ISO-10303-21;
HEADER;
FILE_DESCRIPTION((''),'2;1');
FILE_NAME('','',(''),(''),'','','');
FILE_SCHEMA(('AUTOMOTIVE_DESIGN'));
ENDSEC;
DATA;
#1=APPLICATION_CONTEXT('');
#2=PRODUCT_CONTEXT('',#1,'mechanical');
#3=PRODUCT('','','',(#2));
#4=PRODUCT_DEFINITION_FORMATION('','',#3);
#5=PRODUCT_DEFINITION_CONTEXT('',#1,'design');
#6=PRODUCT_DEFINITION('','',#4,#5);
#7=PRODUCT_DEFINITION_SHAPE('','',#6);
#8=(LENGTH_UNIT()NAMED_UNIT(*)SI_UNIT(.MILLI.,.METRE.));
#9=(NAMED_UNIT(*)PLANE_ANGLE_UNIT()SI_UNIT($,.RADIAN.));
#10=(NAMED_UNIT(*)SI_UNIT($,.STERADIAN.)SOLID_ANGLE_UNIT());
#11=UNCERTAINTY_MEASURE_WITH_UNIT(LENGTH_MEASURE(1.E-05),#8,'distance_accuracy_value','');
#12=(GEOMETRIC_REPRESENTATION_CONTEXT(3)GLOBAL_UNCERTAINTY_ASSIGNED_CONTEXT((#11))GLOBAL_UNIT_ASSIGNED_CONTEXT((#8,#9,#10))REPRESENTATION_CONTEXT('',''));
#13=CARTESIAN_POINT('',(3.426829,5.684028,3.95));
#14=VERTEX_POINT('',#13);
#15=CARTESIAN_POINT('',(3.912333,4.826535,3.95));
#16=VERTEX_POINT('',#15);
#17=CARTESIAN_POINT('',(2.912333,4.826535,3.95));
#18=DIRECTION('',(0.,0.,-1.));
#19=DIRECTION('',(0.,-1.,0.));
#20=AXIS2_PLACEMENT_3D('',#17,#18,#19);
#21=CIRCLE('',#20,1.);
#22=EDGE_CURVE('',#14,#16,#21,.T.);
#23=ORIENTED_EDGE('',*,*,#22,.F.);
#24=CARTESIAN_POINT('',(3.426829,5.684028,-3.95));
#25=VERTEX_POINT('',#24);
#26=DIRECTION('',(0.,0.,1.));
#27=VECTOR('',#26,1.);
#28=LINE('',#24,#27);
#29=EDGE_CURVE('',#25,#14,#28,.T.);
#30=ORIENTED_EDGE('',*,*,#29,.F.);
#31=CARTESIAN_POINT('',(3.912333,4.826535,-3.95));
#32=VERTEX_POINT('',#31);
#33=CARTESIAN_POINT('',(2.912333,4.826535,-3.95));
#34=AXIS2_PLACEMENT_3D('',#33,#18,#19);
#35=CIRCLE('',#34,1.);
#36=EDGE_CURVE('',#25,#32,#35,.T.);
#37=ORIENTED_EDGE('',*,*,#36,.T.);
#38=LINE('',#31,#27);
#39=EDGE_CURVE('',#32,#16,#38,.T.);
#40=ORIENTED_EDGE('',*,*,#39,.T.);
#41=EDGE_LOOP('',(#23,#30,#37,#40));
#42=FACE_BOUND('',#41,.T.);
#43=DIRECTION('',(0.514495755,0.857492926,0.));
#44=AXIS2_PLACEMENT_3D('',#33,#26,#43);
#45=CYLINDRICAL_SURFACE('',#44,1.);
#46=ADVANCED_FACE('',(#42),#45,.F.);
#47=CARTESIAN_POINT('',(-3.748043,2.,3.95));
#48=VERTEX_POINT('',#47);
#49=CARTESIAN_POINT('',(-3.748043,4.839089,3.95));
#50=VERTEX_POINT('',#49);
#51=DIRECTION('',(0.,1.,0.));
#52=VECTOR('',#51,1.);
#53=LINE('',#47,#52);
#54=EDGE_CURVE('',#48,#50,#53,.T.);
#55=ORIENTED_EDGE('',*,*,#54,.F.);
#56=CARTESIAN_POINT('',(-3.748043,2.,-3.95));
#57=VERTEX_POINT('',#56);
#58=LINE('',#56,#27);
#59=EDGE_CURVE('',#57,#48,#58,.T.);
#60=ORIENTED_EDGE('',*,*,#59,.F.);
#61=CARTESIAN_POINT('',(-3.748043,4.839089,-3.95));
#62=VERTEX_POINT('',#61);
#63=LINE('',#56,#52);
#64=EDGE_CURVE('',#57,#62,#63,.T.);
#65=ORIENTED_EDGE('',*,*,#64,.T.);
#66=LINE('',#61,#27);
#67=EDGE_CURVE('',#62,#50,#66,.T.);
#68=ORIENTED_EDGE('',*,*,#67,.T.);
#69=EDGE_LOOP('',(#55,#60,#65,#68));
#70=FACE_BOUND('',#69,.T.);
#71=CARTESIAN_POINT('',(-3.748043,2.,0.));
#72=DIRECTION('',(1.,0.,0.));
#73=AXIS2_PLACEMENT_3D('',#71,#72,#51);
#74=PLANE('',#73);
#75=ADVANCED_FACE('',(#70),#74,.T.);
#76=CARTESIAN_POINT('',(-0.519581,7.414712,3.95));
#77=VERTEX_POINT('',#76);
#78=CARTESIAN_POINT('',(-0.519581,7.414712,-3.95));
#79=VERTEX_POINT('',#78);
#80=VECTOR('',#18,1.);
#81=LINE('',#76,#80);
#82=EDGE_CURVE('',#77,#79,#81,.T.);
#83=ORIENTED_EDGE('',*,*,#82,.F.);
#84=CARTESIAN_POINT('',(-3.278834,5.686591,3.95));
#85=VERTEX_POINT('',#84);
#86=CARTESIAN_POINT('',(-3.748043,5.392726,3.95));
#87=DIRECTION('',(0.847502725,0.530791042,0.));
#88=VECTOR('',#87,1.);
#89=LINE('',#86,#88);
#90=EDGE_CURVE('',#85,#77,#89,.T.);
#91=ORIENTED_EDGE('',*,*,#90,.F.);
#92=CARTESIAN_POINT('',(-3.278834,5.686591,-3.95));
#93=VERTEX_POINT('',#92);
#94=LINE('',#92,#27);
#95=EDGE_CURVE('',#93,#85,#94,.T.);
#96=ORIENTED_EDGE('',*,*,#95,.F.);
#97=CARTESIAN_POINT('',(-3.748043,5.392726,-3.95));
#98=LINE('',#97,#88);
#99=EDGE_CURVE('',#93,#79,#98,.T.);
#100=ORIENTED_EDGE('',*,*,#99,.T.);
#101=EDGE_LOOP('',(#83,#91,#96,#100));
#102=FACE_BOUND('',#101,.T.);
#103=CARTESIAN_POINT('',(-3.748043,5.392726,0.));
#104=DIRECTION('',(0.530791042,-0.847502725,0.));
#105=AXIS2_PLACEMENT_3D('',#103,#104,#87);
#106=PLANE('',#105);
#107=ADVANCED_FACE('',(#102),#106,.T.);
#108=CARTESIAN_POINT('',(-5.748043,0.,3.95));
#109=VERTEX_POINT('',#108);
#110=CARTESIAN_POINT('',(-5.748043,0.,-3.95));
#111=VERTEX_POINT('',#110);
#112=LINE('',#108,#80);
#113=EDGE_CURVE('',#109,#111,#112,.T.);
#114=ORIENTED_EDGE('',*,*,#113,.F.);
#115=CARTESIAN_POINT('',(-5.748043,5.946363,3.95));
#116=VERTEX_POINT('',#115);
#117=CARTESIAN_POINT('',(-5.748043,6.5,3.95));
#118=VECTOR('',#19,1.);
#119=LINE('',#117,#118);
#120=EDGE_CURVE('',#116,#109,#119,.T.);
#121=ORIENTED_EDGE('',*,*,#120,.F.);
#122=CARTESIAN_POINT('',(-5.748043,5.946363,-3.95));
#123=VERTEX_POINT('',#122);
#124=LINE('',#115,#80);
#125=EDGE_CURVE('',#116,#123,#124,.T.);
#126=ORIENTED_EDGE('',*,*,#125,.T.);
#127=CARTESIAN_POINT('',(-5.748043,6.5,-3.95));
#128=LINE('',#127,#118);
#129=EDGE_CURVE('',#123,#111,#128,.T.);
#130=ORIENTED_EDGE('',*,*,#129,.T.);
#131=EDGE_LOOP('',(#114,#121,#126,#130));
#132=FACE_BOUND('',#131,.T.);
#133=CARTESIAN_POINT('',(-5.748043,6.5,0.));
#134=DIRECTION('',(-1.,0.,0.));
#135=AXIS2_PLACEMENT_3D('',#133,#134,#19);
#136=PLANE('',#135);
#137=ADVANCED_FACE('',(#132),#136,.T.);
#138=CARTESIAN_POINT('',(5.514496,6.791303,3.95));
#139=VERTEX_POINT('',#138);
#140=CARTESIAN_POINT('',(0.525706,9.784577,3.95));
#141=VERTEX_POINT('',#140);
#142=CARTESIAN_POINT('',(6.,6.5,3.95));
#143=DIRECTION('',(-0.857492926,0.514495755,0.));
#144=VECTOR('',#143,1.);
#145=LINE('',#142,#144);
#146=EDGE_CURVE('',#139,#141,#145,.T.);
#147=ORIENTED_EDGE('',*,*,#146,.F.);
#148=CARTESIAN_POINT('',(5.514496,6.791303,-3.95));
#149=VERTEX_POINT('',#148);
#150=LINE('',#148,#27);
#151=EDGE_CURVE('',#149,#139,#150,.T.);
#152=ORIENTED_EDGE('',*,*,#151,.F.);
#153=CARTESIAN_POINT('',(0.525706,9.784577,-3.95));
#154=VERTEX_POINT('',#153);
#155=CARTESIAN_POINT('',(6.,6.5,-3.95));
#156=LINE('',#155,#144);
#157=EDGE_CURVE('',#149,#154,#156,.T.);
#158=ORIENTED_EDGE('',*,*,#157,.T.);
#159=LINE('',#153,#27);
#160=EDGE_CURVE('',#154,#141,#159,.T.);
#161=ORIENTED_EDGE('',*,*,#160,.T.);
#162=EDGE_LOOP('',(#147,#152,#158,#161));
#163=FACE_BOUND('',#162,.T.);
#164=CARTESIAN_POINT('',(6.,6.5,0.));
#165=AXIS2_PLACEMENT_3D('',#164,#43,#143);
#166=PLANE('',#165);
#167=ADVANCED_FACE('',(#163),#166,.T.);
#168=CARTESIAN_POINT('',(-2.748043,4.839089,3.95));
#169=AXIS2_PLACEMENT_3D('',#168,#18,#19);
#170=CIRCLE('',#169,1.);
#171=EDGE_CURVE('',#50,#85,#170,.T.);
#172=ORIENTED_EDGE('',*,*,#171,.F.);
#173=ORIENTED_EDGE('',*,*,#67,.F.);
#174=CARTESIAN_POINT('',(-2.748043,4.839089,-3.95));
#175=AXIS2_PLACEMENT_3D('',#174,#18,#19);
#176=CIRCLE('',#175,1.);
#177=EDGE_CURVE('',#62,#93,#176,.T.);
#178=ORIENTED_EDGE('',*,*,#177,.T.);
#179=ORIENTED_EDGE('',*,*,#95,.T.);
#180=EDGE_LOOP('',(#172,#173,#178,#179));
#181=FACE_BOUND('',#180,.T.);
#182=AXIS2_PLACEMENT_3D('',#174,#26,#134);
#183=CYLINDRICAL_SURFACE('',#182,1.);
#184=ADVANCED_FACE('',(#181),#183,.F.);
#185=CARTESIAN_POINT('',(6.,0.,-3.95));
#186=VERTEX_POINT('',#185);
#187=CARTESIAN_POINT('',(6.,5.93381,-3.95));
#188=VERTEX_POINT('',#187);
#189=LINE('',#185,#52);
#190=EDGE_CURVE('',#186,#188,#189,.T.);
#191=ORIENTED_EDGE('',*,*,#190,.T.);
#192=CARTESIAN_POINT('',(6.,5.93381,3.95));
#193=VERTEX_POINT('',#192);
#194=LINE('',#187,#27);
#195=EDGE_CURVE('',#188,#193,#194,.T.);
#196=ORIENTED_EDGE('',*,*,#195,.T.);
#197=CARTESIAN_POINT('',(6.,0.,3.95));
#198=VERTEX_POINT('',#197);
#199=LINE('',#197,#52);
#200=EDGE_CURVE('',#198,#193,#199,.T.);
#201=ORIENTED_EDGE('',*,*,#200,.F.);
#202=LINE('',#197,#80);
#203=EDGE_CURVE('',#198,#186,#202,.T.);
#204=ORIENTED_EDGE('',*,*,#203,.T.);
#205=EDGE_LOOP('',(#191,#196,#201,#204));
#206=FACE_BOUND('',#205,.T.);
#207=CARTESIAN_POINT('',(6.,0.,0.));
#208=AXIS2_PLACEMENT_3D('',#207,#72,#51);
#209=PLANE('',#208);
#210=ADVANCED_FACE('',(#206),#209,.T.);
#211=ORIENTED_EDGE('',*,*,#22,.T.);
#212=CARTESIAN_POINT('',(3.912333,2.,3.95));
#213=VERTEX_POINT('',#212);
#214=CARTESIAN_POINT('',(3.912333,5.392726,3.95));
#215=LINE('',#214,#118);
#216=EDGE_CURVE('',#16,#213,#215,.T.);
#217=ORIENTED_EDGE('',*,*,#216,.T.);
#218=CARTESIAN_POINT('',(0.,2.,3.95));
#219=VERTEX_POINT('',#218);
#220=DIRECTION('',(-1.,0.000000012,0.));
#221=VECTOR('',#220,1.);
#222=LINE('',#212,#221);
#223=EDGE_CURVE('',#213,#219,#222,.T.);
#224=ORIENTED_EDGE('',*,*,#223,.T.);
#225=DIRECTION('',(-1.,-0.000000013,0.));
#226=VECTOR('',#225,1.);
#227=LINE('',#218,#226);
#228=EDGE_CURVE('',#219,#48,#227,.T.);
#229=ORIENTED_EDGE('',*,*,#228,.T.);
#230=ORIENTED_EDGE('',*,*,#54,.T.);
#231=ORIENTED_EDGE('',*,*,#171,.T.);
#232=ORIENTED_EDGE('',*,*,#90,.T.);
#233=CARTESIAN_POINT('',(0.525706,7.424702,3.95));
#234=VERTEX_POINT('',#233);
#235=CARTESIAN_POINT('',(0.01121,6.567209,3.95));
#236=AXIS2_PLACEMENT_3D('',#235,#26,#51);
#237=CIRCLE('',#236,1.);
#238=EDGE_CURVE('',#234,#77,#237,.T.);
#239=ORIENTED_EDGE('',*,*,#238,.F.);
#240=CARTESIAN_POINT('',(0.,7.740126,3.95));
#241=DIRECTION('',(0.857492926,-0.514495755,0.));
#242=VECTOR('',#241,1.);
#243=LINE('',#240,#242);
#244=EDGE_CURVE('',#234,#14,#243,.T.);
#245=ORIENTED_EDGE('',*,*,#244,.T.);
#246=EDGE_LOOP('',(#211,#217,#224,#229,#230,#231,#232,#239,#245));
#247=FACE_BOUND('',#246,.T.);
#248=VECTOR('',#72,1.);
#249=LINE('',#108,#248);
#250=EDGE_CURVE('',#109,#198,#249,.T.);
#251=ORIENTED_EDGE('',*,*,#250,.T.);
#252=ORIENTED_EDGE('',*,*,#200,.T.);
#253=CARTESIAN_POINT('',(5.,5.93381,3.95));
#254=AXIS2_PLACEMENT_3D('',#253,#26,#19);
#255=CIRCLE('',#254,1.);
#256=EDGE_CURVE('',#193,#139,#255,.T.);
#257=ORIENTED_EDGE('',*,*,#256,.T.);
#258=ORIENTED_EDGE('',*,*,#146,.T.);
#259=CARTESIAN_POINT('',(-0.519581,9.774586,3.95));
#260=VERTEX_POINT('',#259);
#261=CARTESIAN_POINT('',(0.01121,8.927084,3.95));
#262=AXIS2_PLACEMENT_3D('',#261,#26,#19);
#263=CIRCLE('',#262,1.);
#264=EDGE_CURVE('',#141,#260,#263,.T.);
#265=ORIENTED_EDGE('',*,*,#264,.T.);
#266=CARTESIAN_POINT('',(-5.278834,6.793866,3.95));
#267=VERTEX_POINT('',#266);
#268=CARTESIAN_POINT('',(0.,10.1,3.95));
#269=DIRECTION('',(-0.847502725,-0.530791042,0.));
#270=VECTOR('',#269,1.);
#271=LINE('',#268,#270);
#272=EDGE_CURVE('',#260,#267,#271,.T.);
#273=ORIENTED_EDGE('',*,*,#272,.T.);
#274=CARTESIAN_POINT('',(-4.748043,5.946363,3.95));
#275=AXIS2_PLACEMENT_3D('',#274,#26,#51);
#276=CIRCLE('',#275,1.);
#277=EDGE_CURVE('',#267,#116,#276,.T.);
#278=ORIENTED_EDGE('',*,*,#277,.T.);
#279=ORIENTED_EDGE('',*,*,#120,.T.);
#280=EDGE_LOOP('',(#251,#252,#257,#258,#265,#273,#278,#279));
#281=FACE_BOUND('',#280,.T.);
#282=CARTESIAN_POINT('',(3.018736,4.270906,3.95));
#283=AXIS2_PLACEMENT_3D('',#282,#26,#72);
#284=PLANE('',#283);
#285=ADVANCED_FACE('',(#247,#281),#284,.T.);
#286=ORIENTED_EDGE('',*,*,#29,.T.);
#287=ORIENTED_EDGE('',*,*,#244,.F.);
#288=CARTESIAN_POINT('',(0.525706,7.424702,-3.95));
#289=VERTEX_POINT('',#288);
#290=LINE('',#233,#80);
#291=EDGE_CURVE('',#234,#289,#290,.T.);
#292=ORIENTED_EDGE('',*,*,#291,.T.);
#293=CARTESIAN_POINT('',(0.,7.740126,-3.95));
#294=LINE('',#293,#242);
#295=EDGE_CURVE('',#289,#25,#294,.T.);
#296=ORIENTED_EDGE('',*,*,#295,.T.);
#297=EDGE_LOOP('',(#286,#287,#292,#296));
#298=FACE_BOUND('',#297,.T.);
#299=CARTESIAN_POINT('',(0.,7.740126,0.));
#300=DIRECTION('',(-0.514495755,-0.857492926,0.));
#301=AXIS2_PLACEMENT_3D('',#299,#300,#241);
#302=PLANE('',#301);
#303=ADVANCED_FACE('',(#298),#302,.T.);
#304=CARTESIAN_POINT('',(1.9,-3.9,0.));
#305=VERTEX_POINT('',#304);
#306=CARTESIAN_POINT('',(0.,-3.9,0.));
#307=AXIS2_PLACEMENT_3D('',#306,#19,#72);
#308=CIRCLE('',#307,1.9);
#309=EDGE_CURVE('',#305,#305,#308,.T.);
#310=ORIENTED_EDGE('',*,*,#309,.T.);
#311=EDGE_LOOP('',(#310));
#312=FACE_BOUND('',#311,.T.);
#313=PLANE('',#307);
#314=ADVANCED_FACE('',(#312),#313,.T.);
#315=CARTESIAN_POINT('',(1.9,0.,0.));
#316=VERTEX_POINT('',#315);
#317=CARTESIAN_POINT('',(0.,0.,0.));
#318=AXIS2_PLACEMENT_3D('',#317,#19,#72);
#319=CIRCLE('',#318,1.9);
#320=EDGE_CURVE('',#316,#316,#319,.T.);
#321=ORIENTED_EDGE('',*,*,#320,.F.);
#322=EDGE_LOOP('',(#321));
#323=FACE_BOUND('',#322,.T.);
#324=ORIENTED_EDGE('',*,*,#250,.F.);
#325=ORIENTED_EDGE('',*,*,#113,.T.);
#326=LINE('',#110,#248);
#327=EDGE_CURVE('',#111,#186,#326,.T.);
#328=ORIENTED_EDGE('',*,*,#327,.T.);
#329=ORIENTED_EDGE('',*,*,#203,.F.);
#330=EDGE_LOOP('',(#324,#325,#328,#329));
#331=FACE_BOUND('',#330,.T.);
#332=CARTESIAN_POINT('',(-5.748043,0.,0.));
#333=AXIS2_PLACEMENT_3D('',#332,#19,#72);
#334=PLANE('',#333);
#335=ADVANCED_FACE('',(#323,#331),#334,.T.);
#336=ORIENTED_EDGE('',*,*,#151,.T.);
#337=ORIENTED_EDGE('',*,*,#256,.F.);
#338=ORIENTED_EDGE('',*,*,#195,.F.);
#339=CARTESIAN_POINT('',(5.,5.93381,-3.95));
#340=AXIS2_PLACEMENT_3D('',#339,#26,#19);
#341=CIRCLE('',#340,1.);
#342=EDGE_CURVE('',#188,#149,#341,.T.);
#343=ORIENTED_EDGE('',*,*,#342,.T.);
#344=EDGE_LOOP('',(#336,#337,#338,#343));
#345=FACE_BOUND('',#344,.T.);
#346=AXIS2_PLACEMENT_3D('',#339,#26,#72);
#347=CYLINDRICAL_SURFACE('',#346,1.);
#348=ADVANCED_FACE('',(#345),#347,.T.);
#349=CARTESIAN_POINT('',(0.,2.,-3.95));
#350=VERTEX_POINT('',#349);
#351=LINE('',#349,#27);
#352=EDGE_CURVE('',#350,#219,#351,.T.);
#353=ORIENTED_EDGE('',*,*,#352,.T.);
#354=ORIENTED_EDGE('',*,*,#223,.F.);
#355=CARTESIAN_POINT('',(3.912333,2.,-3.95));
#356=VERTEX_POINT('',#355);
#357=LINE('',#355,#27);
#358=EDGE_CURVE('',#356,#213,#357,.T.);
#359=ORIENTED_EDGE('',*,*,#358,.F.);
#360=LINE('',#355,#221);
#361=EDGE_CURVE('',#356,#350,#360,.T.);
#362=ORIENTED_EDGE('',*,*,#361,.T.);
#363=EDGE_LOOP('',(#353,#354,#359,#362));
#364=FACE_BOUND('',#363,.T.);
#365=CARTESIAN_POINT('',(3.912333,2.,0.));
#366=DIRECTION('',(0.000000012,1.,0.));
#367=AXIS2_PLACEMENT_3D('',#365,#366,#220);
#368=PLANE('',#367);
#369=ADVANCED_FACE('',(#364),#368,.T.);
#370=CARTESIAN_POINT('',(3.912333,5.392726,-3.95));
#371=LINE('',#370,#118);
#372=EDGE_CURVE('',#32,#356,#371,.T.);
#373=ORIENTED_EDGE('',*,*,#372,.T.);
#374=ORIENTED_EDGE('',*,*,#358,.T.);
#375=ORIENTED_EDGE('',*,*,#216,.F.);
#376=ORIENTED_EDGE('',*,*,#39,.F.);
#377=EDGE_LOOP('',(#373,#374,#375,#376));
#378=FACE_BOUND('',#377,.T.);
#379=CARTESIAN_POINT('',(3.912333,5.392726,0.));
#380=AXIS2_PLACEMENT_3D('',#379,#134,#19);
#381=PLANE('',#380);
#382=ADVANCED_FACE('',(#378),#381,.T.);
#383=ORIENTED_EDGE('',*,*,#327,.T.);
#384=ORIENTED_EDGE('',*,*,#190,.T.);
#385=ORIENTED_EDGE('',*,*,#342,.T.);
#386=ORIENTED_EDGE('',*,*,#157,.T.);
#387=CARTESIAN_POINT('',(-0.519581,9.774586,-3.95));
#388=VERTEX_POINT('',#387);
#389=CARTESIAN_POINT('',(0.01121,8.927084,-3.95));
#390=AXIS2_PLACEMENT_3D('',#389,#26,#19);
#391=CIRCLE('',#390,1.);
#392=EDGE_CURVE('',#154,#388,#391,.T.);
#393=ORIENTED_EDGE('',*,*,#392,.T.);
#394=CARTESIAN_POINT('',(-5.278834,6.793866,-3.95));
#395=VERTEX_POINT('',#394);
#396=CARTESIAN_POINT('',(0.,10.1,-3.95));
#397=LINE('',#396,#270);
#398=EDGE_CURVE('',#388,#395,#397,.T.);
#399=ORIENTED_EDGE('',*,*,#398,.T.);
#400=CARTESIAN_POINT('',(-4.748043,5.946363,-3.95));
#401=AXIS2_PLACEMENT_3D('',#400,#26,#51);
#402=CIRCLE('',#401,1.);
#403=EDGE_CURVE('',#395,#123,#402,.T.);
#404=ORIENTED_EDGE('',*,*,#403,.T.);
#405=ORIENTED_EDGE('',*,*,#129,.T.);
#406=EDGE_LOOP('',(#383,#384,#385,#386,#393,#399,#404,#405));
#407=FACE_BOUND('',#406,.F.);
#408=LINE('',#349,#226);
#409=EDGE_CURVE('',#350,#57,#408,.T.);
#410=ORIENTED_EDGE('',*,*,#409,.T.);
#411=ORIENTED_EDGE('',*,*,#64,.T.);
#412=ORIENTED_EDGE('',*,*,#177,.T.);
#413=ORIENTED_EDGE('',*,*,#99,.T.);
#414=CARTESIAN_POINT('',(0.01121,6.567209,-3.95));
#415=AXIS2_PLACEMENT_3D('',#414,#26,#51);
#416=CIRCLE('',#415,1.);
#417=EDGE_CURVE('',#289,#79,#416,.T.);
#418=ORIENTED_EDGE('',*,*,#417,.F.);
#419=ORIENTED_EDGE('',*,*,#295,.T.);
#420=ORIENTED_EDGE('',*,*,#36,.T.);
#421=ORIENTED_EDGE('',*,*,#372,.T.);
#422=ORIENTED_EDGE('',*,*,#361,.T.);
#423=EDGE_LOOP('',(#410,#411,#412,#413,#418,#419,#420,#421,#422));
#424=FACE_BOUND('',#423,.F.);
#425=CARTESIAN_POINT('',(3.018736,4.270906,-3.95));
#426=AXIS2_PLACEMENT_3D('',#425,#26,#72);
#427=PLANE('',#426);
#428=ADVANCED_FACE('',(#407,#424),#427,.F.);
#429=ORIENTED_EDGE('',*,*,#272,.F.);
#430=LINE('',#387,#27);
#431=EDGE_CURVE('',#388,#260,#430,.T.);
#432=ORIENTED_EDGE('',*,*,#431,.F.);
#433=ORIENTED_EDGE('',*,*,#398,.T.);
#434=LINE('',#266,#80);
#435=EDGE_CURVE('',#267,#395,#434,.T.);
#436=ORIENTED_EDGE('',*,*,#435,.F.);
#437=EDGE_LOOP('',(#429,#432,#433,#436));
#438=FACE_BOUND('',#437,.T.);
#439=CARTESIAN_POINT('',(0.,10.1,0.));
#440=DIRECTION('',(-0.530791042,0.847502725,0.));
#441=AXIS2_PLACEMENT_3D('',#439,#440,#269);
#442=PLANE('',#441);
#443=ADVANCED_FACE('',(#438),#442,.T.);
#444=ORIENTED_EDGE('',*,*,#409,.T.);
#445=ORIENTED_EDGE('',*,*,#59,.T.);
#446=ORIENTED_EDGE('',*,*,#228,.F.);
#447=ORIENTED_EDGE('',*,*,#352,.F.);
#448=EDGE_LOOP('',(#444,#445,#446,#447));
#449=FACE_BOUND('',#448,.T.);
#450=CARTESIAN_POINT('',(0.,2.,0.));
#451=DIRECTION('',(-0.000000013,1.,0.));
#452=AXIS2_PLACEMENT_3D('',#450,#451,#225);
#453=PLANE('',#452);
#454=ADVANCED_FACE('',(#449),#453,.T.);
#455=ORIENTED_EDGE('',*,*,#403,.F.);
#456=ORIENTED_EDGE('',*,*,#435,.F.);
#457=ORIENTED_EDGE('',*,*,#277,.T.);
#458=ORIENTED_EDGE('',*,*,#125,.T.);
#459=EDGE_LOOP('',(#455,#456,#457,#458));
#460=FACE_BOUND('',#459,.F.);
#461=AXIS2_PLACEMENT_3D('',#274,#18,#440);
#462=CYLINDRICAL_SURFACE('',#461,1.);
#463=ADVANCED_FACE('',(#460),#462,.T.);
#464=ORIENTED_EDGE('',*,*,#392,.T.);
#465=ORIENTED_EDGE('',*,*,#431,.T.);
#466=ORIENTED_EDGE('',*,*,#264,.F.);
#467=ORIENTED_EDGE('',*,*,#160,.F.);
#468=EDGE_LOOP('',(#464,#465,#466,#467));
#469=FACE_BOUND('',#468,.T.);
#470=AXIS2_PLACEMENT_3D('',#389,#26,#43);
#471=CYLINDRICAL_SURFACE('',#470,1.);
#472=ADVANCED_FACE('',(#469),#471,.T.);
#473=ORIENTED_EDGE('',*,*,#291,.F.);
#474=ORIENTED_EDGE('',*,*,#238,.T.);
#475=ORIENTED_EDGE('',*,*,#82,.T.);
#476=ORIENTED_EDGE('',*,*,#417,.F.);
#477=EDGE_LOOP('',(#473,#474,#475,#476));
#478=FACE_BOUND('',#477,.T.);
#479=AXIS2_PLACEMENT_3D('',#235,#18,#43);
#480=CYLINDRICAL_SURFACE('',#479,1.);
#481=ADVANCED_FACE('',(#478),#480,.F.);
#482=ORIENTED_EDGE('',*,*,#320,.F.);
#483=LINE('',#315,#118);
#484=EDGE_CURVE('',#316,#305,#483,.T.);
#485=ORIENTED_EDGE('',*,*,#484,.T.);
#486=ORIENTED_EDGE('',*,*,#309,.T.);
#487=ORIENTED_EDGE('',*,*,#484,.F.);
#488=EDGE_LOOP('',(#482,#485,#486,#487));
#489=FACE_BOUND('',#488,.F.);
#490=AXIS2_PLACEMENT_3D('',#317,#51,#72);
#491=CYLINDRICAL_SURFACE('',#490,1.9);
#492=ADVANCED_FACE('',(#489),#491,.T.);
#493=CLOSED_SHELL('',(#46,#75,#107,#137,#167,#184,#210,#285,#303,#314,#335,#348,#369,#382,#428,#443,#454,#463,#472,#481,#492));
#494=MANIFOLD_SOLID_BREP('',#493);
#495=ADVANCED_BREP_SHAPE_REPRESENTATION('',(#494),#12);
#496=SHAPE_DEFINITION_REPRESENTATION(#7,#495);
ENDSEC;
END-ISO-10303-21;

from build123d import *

# Parameters (mm, degrees)
F1_DEPTH = 3.95
F2_R     = 1.9
F3_DEPTH = 3.9
F4_R     = 1


with BuildPart() as f1:
    # F0 (on Top) → F1 (new body, symmetric)
    with BuildSketch(Plane.XY):
        Polygon((0, 2.0000000475), (0, 0), (6, 0), (6, 6.5), (0, 10.1), (0, 7.740125583), (3.9123329981, 5.3927257842), (3.9123329981, 2), align=None)
        Polygon((-5.7480431453, 0), (0, 0), (0, 2.0000000475), (-3.7480431453, 2), (-3.7480431453, 5.3927257842), (0, 7.740125583), (0, 10.1), (-5.7480431453, 6.5), align=None)
    extrude(amount=F1_DEPTH, both=True)

    # F2 (on face) → F3 (join)
    with BuildSketch(Plane.XZ):
        Circle(F2_R)
    extrude(amount=F3_DEPTH)

    # F4
    f4_edges = [f1.edges().sort_by_distance(p)[0] for p in [
        (0, 10.1, 0),
        (-5.748043, 6.5, 0),
        (6, 6.5, 0),
        (-3.748043, 5.392726, 0),
        (3.912333, 5.392726, 0),
        (0, 7.740126, 0),
    ]]
    fillet(f4_edges, radius=F4_R)


solid = f1.part
